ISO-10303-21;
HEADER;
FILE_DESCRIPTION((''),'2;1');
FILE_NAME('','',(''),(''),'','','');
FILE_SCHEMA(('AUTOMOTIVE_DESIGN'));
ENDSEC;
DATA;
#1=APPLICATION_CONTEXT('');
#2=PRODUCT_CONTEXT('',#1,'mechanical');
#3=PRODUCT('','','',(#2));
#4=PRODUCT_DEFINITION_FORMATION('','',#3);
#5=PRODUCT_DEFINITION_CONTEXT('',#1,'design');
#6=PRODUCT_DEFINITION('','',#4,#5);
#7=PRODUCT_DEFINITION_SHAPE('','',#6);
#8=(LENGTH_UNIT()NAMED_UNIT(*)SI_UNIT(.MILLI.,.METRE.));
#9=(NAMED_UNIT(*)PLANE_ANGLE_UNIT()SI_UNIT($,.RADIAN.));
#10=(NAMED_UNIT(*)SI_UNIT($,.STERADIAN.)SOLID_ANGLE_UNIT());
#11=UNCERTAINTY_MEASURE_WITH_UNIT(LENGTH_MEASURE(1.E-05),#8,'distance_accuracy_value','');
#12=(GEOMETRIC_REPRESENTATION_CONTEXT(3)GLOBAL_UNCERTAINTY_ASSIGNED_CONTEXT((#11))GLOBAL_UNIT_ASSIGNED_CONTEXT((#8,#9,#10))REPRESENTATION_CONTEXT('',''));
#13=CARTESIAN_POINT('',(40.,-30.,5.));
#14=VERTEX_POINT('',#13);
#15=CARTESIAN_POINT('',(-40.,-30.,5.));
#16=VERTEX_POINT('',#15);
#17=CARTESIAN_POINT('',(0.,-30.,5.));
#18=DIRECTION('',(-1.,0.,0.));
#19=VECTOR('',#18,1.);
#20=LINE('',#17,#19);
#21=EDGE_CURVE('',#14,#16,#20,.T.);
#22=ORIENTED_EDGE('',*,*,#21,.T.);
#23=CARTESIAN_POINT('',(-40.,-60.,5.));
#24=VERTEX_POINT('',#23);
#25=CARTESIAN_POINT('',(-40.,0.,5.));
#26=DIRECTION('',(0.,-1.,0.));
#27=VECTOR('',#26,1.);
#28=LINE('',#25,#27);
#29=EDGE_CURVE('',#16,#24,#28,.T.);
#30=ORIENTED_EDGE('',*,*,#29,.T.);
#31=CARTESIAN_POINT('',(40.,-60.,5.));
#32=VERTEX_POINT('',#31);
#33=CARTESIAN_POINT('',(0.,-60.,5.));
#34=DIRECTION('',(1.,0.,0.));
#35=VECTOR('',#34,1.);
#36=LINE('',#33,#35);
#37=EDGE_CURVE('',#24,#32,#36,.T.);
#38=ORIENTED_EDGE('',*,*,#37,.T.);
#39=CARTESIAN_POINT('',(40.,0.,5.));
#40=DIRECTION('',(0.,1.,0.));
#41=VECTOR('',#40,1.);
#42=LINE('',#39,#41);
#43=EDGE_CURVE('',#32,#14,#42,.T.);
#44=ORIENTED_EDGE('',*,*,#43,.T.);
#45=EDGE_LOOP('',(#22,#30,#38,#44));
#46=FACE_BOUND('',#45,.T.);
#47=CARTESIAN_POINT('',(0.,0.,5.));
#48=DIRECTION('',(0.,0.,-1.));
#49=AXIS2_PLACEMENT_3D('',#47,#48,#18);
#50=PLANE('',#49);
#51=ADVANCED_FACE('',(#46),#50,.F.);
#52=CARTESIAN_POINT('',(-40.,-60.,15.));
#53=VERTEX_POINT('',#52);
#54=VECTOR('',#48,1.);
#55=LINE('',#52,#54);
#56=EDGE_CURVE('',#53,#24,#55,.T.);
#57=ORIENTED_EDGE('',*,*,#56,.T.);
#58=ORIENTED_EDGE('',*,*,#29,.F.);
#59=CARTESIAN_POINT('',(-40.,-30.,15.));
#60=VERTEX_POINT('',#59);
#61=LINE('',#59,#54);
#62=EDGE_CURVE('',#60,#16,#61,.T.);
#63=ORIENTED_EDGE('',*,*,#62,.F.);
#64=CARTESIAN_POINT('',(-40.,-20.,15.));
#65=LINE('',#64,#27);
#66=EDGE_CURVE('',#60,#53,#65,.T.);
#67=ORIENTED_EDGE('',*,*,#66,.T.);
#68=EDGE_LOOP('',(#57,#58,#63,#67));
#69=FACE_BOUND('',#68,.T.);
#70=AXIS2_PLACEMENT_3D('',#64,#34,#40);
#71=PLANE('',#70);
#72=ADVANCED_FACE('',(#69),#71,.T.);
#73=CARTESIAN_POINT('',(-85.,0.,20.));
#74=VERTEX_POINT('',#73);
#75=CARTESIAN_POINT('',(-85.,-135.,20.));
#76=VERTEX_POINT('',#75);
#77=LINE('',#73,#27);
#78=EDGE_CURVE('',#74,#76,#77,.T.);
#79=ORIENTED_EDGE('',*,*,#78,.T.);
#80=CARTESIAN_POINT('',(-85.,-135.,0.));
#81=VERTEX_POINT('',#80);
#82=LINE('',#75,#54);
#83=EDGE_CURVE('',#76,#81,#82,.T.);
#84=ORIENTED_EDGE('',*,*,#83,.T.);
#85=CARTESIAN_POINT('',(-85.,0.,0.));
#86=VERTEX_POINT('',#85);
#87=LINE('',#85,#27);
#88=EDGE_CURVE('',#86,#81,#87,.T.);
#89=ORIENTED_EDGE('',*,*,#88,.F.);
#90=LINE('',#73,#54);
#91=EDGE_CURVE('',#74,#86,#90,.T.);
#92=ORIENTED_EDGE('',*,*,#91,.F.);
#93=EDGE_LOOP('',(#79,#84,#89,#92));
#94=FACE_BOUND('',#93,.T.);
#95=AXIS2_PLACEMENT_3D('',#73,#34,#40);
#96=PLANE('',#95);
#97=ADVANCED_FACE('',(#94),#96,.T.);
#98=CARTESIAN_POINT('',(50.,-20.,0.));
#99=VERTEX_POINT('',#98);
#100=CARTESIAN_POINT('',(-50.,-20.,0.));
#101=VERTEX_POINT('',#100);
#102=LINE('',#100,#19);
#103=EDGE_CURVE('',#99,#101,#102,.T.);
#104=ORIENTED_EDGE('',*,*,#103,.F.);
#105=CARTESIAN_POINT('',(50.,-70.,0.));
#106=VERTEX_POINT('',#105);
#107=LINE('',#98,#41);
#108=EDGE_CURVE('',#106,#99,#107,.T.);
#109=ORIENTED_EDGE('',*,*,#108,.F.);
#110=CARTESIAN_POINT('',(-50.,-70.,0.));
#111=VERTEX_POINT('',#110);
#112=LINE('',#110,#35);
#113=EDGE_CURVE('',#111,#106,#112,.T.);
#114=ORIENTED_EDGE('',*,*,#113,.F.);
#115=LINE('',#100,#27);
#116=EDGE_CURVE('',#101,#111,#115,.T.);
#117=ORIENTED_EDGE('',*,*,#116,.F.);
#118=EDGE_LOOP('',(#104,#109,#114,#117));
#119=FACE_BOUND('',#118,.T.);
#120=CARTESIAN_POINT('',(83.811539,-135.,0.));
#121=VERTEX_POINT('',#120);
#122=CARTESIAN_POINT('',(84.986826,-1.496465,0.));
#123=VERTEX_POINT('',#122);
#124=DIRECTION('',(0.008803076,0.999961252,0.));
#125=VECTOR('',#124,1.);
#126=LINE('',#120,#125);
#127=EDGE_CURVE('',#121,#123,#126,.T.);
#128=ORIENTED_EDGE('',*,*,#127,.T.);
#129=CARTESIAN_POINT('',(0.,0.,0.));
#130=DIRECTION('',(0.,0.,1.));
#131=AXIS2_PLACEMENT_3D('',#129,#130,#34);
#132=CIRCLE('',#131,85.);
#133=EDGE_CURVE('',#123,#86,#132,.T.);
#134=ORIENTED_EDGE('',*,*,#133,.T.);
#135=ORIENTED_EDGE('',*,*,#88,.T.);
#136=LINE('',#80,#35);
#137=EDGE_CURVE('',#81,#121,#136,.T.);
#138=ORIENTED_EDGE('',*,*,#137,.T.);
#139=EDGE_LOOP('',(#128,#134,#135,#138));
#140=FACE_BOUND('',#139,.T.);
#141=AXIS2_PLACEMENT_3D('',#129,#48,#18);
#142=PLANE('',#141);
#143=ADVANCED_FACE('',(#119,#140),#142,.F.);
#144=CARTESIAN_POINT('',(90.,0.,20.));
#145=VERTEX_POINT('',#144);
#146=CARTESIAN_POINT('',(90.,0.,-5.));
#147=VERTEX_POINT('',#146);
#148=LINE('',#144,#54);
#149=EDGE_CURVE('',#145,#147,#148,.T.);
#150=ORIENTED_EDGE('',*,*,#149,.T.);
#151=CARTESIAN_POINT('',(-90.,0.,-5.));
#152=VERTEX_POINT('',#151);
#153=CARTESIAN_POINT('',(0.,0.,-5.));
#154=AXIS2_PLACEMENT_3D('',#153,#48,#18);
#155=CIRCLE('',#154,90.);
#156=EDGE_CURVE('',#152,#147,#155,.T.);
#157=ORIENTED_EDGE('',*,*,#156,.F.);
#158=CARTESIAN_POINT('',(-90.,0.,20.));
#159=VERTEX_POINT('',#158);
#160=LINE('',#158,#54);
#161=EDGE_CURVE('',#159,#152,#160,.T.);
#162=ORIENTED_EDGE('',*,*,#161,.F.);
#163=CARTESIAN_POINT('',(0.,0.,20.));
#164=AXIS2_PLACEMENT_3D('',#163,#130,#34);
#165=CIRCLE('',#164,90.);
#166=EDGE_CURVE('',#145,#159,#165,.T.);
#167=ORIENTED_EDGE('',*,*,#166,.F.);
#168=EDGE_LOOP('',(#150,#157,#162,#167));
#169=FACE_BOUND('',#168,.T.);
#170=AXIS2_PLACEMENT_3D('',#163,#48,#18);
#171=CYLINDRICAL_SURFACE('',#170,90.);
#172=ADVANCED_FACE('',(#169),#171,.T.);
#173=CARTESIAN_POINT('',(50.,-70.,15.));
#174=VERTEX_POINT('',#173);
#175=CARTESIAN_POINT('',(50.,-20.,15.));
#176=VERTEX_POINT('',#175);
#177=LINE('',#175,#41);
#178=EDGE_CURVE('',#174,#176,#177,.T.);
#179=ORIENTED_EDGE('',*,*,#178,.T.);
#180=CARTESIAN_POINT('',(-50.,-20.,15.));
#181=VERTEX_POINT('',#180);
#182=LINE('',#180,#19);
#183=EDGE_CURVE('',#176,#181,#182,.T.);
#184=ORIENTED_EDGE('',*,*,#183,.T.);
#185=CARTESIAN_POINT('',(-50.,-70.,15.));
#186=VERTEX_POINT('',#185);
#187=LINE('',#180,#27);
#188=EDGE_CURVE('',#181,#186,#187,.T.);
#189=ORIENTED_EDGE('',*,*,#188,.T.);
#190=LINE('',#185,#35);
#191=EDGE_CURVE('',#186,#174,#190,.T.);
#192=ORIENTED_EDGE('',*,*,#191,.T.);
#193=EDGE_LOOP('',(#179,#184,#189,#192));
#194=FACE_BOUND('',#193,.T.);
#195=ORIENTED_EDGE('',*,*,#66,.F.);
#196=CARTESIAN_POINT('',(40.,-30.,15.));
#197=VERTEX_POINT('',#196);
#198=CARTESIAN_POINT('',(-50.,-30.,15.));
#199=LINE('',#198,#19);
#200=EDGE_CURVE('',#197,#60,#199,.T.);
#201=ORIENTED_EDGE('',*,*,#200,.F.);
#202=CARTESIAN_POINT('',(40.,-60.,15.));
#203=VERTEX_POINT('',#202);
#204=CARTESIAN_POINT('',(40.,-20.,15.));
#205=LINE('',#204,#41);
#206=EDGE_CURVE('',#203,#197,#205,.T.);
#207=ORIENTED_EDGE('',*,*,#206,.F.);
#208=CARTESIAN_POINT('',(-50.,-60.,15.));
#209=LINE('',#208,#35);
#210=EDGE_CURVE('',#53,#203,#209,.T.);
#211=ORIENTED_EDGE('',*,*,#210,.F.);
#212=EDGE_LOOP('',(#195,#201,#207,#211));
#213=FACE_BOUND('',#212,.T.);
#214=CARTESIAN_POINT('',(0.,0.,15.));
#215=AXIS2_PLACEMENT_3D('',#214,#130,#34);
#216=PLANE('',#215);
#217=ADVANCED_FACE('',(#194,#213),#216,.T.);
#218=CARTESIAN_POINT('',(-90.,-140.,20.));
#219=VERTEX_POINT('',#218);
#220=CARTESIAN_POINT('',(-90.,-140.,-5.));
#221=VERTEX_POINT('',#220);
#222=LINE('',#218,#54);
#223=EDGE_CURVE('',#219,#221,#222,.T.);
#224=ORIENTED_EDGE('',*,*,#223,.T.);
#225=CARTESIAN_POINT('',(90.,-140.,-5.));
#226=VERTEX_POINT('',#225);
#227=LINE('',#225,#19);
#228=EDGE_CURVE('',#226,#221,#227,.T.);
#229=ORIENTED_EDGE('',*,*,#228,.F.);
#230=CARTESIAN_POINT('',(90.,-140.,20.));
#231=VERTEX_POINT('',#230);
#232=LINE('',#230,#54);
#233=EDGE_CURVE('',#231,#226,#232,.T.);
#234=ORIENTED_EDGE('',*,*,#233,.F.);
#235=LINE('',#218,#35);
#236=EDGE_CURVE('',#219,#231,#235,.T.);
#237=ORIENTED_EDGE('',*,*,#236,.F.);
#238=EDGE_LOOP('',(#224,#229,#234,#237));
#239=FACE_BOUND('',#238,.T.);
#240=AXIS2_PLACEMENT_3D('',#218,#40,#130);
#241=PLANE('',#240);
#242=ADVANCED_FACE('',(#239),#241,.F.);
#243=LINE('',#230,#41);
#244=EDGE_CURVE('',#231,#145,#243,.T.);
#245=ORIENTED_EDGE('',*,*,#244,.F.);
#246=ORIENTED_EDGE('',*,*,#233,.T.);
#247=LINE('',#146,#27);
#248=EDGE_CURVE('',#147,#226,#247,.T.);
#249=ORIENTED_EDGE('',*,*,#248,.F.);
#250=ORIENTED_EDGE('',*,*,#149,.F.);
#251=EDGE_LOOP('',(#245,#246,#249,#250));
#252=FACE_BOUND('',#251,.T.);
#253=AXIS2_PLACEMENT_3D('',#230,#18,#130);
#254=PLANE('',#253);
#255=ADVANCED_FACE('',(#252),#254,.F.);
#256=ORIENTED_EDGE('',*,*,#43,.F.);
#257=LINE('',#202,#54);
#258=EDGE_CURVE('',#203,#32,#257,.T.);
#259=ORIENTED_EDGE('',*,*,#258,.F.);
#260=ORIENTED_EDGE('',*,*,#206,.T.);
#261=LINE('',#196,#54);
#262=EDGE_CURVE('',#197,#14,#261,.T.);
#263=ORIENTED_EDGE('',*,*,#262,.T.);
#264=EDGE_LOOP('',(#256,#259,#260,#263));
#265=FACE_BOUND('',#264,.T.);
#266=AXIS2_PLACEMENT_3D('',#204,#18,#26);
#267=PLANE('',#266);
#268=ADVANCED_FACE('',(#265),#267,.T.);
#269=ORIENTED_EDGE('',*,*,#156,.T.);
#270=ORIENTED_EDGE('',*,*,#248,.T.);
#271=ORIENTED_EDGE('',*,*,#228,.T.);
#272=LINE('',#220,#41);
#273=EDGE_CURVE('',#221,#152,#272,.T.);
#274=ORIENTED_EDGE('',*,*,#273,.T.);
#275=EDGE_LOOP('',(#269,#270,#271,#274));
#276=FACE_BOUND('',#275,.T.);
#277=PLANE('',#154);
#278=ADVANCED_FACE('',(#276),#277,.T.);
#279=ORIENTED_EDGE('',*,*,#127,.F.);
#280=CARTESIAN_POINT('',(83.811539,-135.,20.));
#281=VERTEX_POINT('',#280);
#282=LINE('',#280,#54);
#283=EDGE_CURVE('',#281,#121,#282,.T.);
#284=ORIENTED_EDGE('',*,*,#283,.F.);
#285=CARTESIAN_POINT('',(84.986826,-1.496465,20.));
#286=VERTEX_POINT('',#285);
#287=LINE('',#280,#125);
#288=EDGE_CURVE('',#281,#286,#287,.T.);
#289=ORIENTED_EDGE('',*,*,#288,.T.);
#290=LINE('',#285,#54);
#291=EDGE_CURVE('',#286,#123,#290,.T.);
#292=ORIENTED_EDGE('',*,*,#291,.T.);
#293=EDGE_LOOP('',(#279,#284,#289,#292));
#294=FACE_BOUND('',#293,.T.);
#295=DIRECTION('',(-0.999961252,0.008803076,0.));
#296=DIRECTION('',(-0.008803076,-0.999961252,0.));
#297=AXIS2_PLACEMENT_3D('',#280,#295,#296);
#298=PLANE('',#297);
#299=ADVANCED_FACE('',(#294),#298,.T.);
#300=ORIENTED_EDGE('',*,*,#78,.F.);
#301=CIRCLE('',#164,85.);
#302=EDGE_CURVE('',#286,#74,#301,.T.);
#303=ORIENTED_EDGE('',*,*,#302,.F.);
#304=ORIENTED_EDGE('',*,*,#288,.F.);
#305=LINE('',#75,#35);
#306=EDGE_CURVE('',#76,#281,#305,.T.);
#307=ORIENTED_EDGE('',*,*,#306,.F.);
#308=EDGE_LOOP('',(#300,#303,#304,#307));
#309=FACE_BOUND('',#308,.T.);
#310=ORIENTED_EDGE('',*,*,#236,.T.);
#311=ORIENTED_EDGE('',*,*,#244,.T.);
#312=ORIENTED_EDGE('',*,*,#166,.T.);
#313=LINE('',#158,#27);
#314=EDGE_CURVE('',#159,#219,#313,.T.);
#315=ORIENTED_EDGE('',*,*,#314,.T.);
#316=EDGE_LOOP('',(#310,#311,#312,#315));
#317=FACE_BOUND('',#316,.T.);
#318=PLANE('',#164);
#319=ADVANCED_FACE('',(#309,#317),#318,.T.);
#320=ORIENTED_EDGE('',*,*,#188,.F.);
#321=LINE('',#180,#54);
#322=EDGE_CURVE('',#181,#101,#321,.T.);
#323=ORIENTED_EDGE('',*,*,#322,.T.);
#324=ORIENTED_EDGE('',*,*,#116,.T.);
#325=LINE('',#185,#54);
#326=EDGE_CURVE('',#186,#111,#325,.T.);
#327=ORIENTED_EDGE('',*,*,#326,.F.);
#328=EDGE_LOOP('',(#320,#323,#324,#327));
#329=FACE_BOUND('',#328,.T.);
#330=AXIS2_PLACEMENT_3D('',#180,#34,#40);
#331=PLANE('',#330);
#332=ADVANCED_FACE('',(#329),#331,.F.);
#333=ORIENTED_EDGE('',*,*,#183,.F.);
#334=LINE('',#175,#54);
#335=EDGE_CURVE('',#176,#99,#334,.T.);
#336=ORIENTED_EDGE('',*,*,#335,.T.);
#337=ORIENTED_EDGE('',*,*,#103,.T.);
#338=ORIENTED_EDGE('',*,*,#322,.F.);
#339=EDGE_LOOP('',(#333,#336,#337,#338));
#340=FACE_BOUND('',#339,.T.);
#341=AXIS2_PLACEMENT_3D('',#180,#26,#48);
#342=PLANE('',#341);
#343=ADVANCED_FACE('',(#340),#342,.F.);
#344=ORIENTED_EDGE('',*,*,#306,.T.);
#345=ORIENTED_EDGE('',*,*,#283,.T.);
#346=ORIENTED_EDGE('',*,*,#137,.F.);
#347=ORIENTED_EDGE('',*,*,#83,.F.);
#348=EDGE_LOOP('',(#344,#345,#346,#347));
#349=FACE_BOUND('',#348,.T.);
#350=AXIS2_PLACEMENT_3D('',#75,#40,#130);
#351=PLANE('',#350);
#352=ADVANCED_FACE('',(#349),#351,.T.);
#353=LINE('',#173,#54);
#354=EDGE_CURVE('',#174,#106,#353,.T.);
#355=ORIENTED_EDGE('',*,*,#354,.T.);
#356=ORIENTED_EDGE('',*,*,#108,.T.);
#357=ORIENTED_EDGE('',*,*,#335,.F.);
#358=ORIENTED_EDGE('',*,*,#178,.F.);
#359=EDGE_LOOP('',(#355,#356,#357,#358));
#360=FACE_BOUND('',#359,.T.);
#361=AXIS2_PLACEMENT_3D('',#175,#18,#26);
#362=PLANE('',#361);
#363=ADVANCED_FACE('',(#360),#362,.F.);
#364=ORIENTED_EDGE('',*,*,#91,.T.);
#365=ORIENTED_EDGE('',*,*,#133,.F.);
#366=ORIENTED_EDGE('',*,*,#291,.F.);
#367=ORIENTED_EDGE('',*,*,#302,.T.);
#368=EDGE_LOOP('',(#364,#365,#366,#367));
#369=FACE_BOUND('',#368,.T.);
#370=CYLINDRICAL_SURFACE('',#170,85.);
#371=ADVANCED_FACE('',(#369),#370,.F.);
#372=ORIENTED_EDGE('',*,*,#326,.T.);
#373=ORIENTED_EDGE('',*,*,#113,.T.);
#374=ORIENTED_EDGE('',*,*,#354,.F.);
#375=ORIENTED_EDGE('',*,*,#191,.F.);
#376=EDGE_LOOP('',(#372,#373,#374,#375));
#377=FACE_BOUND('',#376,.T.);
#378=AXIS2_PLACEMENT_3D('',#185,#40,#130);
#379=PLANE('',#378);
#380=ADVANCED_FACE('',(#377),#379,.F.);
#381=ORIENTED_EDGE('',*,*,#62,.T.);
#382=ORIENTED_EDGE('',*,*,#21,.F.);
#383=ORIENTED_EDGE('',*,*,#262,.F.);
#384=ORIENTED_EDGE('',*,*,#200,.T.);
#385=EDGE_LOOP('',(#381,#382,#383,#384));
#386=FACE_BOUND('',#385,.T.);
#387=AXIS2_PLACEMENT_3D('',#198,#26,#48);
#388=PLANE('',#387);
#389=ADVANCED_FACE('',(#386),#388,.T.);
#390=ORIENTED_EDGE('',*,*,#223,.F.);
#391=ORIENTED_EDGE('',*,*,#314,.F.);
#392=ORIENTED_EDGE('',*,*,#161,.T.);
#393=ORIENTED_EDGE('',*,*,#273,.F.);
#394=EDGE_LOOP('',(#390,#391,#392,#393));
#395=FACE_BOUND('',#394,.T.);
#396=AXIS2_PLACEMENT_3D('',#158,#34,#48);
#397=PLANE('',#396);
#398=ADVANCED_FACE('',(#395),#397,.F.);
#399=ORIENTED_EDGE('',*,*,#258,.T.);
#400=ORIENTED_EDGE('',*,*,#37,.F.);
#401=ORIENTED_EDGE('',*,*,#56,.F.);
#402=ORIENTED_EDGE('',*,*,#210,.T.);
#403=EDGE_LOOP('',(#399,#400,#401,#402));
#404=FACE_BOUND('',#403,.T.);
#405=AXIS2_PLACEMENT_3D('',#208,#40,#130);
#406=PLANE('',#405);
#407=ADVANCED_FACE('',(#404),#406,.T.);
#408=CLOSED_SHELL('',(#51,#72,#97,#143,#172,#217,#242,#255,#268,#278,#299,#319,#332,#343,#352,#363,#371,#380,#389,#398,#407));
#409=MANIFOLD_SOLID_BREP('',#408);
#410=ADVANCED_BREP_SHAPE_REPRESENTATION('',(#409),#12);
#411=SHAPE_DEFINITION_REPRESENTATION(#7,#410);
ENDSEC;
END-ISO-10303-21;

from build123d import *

# Parameters (mm, degrees)
BOSS_EXTRUDE1_DEPTH = 20
BOSS_EXTRUDE2_START = 5
BOSS_EXTRUDE2_DEPTH = 5
SKETCH3_W           = 100
SKETCH3_H           = 50
BOSS_EXTRUDE3_DEPTH = 15
SHELL1_T            = -10


with BuildPart() as part:
    # Sketch1 → Boss-Extrude1 (new body)
    with BuildSketch(Plane.XY):
        with BuildLine():
            Line((-90, 0), (-90, -140))
            Line((-90, -140), (90, -140))
            Line((90, -140), (90, 0))
            ThreePointArc((90, 0), (0, 90), (-90, 0))
        make_face()
        with BuildLine():
            Line((-85, 0), (-85, -135))
            Line((-85, -135), (83.811538659, -135))
            Line((83.811538659, -135), (84.986825994, -1.496464972))
            ThreePointArc((84.986825994, -1.496464972), (0.74826148, 84.996706435), (-85, 0))
        make_face(mode=Mode.SUBTRACT)
    extrude(amount=BOSS_EXTRUDE1_DEPTH)

    # Sketch2 → Boss-Extrude2 (add)
    with BuildSketch(Plane(origin=(0, 0, 0), x_dir=(-1, 0, 0), z_dir=(0, 0, -1)).offset(BOSS_EXTRUDE2_START)):
        with BuildLine():
            Line((-90, 0), (-90, -140))
            Line((-90, -140), (90, -140))
            Line((90, -140), (90, 0))
            ThreePointArc((90, 0), (0, 90), (-90, 0))
        make_face()
    extrude(amount=-BOSS_EXTRUDE2_DEPTH)

    # Sketch3 → Boss-Extrude3 (add)
    with BuildSketch(Plane.XY):
        with Locations((0, -45)):
            Rectangle(SKETCH3_W, SKETCH3_H)
    extrude(amount=BOSS_EXTRUDE3_DEPTH)

    # Shell1
    shell1_openings = [part.faces().sort_by_distance(p)[0] for p in [
        (0, -45, 15),
    ]]
    offset(amount=SHELL1_T, openings=shell1_openings)


solid = part.part
